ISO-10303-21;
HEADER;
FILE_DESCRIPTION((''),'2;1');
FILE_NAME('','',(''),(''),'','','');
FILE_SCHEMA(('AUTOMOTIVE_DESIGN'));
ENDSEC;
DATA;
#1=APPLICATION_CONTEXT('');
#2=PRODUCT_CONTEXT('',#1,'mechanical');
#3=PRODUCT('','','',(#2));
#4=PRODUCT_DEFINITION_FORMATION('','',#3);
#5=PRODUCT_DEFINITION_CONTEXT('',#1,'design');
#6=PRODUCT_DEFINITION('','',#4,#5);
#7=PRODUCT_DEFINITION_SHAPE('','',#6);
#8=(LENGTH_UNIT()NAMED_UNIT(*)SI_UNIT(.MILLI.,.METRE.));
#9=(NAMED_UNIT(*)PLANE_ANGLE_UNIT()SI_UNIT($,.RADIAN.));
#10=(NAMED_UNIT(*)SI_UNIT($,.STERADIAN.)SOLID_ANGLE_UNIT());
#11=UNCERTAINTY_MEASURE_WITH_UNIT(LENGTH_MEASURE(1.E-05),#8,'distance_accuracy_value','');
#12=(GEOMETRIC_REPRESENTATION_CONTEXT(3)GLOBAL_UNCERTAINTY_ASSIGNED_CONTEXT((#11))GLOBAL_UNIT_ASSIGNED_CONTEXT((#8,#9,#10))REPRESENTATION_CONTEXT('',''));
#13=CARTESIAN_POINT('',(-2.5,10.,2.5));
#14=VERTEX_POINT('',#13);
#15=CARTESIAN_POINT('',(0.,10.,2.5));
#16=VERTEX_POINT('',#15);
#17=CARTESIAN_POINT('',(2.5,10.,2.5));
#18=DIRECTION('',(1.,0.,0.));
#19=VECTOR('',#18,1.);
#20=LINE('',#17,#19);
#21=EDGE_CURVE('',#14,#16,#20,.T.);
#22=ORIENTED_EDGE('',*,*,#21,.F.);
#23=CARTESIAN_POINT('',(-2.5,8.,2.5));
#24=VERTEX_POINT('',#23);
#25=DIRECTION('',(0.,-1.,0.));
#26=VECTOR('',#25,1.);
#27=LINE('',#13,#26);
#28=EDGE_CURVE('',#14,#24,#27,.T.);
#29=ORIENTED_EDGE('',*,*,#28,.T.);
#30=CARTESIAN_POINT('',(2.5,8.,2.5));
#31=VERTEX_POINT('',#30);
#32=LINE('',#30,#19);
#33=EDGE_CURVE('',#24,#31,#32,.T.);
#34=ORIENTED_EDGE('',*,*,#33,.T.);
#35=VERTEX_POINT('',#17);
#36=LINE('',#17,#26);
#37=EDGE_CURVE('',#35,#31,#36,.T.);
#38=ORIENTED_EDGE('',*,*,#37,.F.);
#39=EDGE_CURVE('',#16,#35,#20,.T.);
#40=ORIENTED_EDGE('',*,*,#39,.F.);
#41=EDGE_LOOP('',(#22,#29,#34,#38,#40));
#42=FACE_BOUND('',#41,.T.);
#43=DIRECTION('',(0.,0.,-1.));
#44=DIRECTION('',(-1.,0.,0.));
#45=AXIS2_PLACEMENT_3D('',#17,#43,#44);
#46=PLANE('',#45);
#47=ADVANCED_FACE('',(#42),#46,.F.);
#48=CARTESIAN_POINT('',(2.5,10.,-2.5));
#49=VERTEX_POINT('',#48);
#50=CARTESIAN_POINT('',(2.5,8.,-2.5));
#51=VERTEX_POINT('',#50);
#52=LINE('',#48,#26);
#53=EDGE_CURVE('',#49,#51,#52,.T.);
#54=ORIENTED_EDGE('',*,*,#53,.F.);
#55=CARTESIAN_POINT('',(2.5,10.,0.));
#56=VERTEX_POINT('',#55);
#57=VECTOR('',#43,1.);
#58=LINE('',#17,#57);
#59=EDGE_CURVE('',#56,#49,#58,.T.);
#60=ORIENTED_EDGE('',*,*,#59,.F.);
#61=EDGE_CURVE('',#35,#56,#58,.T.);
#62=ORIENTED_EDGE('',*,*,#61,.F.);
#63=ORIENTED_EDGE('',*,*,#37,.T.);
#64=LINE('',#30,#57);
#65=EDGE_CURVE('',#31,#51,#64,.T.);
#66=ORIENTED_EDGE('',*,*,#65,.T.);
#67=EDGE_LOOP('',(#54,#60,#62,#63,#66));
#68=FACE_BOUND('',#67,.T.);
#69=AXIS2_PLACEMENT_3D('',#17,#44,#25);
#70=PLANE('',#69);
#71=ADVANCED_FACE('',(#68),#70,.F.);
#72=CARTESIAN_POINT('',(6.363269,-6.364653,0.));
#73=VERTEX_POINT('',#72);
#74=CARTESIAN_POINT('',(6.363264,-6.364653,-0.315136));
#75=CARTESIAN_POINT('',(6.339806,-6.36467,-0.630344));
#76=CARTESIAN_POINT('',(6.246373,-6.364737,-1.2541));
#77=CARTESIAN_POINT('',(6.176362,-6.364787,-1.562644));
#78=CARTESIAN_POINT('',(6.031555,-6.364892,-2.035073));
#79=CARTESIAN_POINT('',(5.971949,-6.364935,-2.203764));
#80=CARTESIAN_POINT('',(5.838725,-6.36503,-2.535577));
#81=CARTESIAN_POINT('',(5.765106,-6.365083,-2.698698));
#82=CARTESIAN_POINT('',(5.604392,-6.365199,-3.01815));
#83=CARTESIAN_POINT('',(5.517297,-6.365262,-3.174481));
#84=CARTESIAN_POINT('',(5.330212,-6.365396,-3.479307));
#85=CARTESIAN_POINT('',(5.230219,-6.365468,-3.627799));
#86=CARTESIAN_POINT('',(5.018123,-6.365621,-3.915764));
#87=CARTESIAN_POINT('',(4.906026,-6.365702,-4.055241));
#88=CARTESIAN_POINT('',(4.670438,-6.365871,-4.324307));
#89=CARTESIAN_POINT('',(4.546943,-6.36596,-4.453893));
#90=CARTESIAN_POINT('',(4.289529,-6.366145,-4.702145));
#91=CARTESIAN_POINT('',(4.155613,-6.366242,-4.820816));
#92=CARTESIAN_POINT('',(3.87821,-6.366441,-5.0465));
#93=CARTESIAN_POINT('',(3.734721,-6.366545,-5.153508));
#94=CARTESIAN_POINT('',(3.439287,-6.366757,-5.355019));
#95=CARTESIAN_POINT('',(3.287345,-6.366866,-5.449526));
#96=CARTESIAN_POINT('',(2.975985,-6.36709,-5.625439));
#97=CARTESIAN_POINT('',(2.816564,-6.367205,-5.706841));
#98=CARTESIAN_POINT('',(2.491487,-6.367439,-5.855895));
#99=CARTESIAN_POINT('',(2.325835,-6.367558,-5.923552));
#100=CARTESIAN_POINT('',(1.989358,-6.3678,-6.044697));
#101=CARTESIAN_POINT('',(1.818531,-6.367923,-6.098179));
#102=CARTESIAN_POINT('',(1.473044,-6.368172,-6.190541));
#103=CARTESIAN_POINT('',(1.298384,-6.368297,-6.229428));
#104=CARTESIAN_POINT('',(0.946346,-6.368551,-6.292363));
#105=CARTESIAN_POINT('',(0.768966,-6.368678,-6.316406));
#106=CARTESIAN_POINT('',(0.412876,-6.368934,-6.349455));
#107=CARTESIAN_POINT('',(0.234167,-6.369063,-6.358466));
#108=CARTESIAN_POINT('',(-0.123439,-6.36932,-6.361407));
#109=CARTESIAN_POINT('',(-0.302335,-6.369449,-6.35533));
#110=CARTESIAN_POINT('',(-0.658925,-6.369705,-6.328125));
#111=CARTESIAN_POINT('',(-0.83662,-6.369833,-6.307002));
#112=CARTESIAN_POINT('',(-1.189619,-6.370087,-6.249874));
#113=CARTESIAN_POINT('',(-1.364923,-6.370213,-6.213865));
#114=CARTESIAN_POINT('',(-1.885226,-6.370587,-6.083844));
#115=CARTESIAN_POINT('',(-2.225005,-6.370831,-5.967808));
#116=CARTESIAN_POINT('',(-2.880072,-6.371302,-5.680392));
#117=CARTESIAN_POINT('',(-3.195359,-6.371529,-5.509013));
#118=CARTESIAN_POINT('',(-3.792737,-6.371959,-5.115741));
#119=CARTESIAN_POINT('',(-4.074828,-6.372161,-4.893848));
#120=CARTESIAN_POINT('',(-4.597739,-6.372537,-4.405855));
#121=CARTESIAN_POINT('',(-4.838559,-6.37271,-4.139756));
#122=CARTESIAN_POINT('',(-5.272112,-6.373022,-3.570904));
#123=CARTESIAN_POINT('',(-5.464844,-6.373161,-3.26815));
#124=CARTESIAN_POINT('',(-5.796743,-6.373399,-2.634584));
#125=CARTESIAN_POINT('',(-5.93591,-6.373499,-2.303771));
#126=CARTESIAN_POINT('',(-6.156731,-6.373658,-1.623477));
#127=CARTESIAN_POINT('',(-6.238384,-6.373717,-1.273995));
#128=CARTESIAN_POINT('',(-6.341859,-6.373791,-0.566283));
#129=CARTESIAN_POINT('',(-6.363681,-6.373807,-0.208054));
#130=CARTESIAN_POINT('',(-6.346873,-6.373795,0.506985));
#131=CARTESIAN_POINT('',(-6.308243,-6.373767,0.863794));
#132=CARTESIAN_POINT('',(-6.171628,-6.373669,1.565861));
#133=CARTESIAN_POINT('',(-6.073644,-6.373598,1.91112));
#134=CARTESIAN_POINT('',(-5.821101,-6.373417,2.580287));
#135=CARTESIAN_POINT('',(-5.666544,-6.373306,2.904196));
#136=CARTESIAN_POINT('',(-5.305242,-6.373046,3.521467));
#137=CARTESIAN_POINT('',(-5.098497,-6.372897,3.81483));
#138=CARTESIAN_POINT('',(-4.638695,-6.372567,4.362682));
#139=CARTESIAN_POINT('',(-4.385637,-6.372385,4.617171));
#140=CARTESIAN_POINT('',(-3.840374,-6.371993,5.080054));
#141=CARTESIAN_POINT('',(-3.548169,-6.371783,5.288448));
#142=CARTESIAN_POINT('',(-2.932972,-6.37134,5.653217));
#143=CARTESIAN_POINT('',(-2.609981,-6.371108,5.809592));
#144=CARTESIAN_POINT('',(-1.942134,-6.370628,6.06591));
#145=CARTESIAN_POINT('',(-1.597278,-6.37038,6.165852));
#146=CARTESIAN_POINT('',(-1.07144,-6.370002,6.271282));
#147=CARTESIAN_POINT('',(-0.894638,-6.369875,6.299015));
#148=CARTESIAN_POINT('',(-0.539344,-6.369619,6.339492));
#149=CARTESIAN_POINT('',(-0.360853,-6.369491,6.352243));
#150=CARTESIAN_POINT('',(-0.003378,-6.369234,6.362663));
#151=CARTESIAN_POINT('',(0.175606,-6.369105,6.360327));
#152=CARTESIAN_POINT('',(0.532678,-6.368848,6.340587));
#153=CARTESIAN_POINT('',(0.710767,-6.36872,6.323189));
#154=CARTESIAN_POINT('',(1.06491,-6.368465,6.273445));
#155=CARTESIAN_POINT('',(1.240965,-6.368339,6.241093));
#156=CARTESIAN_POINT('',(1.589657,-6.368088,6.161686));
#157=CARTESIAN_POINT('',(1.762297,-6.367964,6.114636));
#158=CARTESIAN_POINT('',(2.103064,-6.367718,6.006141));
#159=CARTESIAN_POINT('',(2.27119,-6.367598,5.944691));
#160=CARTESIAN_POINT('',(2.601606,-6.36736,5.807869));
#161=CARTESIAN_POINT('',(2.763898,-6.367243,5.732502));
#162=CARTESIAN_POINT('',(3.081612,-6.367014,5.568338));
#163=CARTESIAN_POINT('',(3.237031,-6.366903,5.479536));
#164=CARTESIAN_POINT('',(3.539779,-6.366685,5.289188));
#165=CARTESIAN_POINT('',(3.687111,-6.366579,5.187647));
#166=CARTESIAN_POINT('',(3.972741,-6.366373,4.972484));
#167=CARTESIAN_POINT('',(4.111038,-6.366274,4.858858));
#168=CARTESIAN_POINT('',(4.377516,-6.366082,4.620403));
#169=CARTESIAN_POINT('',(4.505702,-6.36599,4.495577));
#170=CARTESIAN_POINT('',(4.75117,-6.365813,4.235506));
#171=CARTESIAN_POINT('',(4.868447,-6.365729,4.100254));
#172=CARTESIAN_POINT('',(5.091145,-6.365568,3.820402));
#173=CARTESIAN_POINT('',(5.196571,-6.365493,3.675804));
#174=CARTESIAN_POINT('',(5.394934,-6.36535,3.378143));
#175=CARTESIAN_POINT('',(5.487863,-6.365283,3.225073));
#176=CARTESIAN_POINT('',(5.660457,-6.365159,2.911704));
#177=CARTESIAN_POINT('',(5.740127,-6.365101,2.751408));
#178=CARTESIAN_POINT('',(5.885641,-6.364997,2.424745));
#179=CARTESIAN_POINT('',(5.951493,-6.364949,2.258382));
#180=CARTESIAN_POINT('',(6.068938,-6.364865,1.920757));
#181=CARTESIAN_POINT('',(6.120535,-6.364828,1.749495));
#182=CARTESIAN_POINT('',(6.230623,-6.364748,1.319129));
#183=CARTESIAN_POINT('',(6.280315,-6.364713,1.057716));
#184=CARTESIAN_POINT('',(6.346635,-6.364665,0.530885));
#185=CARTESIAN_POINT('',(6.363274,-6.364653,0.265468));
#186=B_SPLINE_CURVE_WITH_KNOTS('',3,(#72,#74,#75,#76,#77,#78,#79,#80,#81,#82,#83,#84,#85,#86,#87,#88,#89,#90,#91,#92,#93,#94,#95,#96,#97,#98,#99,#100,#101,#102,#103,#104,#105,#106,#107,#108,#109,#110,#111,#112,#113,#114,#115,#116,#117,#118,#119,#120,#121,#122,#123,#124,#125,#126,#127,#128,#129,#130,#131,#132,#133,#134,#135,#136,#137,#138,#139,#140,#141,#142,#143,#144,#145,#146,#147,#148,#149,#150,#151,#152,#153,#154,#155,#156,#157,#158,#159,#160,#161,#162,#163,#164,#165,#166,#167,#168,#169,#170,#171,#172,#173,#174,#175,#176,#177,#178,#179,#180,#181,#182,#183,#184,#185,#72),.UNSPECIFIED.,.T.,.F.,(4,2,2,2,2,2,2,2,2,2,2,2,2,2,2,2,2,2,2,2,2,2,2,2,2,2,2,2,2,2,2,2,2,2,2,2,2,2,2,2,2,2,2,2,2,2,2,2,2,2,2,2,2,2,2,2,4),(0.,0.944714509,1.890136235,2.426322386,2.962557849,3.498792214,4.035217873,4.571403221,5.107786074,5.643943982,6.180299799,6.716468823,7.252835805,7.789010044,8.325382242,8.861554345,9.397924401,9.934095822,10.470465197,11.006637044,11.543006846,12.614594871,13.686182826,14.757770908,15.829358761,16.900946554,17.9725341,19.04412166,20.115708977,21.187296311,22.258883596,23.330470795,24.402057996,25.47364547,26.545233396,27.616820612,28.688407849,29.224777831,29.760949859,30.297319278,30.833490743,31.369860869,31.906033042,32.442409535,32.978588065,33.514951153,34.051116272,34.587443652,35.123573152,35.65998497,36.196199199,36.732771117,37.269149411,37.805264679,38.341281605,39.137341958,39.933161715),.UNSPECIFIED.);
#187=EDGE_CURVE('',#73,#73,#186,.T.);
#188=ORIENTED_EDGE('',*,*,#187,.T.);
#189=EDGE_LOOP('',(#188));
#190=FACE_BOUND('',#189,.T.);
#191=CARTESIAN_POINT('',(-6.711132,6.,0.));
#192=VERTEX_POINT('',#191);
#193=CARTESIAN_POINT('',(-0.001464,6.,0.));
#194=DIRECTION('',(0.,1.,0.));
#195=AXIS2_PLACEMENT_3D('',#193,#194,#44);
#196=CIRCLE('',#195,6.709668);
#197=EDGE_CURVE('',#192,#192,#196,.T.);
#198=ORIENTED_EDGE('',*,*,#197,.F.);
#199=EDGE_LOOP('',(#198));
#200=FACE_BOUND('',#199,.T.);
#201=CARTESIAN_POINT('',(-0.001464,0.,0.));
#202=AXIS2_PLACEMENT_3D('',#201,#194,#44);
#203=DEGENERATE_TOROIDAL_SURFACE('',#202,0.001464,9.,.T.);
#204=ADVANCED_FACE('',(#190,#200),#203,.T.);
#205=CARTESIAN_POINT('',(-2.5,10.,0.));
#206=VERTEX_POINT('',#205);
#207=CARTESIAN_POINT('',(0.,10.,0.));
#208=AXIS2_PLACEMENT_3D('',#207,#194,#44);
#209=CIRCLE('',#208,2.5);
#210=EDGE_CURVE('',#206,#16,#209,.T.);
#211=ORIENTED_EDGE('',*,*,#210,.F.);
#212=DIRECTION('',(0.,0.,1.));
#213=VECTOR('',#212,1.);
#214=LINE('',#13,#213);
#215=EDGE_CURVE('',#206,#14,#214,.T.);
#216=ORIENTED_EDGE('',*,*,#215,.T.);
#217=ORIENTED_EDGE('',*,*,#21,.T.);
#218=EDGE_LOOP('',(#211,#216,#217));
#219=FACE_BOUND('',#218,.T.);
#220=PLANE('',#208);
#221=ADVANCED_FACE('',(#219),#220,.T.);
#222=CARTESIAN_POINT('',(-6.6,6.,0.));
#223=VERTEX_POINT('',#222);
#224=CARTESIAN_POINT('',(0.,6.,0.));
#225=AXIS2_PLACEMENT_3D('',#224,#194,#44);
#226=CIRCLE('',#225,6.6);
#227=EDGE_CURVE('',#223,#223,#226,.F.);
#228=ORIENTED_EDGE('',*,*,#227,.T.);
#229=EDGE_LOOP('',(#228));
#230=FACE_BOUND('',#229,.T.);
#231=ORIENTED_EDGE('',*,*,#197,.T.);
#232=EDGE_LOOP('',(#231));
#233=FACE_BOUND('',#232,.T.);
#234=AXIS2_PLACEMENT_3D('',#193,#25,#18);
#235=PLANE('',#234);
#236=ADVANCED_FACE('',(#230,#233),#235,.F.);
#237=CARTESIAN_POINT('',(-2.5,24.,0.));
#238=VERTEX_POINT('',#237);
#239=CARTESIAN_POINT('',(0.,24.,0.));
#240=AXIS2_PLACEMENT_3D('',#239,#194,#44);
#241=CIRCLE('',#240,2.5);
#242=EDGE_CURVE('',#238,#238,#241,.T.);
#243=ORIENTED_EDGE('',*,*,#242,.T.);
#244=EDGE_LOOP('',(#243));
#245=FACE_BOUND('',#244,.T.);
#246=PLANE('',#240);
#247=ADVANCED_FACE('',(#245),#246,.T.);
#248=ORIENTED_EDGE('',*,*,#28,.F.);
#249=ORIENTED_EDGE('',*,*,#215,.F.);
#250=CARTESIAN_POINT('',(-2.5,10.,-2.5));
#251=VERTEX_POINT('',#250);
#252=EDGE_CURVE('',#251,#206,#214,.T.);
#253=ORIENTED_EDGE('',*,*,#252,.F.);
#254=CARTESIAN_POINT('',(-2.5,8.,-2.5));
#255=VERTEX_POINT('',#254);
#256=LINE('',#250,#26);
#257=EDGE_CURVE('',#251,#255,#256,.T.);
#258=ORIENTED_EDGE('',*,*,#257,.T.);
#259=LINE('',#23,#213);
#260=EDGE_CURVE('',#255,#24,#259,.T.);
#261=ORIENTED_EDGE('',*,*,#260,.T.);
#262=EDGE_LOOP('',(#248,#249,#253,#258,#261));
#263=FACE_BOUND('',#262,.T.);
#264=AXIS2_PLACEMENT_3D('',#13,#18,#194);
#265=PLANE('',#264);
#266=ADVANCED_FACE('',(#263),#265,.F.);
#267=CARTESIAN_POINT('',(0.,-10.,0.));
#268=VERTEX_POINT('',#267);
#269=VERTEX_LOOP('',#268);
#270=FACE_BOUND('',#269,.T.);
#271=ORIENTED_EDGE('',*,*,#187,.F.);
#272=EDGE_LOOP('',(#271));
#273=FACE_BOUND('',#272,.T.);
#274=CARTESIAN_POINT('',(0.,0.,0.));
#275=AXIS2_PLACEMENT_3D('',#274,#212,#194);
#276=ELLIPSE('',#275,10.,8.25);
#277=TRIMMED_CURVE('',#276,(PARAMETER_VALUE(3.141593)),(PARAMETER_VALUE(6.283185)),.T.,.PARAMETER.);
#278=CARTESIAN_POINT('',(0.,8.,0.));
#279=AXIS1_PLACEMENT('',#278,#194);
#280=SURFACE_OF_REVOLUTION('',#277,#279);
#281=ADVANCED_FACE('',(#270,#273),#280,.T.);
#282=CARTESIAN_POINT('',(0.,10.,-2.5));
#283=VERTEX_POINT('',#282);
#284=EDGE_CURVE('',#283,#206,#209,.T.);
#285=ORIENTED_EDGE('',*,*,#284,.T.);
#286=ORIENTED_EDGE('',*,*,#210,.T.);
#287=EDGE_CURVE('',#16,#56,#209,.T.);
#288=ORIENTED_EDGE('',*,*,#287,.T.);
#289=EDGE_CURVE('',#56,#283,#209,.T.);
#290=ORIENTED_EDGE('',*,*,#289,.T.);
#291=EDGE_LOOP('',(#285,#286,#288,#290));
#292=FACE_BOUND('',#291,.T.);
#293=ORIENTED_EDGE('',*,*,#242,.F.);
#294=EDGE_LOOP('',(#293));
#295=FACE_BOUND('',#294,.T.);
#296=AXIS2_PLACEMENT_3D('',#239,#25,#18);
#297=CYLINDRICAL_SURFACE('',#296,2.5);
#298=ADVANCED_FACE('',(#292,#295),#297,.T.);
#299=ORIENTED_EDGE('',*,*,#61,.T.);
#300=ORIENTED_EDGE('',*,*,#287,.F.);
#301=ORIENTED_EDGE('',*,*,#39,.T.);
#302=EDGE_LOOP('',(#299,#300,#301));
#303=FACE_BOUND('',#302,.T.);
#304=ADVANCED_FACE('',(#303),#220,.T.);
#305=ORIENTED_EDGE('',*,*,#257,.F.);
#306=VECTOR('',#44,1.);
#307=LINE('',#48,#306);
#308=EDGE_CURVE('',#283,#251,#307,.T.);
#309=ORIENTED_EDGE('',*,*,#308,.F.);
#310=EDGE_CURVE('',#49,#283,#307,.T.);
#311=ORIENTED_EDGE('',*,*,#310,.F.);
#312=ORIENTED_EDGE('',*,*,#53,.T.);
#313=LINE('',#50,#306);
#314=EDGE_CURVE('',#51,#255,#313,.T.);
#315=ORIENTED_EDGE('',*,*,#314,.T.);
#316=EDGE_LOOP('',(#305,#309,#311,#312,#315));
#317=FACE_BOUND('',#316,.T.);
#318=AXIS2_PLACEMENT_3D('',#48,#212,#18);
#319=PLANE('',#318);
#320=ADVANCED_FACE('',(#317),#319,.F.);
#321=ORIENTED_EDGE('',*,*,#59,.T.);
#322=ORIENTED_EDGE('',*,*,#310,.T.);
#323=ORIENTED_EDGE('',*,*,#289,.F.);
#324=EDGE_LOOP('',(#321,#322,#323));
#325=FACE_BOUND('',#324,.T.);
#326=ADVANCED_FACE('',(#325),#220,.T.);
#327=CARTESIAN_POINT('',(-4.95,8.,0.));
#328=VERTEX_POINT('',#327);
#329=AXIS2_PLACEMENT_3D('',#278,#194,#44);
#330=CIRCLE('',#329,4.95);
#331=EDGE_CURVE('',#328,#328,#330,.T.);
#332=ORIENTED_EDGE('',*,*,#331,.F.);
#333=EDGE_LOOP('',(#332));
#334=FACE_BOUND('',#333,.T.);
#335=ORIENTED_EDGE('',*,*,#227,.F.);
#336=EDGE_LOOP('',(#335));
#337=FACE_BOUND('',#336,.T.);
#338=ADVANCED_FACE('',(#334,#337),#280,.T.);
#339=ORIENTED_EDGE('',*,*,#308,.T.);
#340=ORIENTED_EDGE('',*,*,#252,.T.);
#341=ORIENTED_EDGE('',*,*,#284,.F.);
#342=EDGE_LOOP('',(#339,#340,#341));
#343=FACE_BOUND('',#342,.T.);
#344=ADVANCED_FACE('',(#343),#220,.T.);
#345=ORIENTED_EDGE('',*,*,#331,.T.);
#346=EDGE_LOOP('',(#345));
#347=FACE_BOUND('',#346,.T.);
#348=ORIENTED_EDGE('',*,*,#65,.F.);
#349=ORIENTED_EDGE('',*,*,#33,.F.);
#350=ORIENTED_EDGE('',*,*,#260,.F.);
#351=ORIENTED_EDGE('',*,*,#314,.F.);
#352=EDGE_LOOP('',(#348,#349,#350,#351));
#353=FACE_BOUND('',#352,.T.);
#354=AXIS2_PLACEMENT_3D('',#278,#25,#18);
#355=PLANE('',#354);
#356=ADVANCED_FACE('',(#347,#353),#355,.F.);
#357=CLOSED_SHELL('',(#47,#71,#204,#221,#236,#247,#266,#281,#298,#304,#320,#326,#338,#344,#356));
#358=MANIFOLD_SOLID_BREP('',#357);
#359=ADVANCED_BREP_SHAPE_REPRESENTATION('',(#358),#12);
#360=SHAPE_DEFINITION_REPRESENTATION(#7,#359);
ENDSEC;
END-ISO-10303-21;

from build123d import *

# Parameters (mm, degrees)
SKETCH2_W           = 5
SKETCH2_H           = 5
BOSS_EXTRUDE1_DEPTH = 2
SKETCH3_R           = 2.5
BOSS_EXTRUDE2_DEPTH = 14


with BuildPart() as part:
    # Sketch1 → Revolve1 (revolve)
    with BuildSketch(Plane.XY):
        with BuildLine():
            Line((0, 8), (4.95, 8))
            add(Edge.make_bspline(
                [(0, -10), (24.75, -10), (4.95, 8)],
                knots=[3.141592654, 3.141592654, 3.141592654, 5.639684198, 5.639684198, 5.639684198], degree=2, weights=[1, 0.316227766, 1]))
            Line((0, -10), (0, 8))
        make_face()
    revolve(axis=Axis((0, 8, 0), (0, -1, 0)))

    # Sketch2 → Boss-Extrude1 (add)
    with BuildSketch(Plane(origin=(0, 8, 0), x_dir=(1, 0, 0), z_dir=(0, 1, 0))):
        Rectangle(SKETCH2_W, SKETCH2_H)
    extrude(amount=BOSS_EXTRUDE1_DEPTH)

    # Sketch3 → Boss-Extrude2 (add)
    with BuildSketch(Plane(origin=(0, 10, 0), x_dir=(1, 0, 0), z_dir=(0, 1, 0))):
        with Locations(Location((0, 0, 0), (0, 0, 180))):
            Circle(SKETCH3_R)
    extrude(amount=BOSS_EXTRUDE2_DEPTH)

    # Sketch4 → Revolve3 (revolve)
    with BuildSketch(Plane.XY, mode=Mode.PRIVATE) as revolve3_sk:
        with BuildLine():
            Line((-0.001464112, 6), (6.708203932, 6))
            ThreePointArc((6.708203932, 6), (8.215539475, -3.674902875), (-0.001464112, -8.999999881))
            Line((-0.001464112, -8.999999881), (-0.001464112, 6))
        make_face()
    revolve(revolve3_sk.sketch.rotate(Axis((-0.001464112, 6, 0), (0, -1, 0)), 180), axis=Axis((-0.001464112, 6, 0), (0, -1, 0)))


solid = part.part
